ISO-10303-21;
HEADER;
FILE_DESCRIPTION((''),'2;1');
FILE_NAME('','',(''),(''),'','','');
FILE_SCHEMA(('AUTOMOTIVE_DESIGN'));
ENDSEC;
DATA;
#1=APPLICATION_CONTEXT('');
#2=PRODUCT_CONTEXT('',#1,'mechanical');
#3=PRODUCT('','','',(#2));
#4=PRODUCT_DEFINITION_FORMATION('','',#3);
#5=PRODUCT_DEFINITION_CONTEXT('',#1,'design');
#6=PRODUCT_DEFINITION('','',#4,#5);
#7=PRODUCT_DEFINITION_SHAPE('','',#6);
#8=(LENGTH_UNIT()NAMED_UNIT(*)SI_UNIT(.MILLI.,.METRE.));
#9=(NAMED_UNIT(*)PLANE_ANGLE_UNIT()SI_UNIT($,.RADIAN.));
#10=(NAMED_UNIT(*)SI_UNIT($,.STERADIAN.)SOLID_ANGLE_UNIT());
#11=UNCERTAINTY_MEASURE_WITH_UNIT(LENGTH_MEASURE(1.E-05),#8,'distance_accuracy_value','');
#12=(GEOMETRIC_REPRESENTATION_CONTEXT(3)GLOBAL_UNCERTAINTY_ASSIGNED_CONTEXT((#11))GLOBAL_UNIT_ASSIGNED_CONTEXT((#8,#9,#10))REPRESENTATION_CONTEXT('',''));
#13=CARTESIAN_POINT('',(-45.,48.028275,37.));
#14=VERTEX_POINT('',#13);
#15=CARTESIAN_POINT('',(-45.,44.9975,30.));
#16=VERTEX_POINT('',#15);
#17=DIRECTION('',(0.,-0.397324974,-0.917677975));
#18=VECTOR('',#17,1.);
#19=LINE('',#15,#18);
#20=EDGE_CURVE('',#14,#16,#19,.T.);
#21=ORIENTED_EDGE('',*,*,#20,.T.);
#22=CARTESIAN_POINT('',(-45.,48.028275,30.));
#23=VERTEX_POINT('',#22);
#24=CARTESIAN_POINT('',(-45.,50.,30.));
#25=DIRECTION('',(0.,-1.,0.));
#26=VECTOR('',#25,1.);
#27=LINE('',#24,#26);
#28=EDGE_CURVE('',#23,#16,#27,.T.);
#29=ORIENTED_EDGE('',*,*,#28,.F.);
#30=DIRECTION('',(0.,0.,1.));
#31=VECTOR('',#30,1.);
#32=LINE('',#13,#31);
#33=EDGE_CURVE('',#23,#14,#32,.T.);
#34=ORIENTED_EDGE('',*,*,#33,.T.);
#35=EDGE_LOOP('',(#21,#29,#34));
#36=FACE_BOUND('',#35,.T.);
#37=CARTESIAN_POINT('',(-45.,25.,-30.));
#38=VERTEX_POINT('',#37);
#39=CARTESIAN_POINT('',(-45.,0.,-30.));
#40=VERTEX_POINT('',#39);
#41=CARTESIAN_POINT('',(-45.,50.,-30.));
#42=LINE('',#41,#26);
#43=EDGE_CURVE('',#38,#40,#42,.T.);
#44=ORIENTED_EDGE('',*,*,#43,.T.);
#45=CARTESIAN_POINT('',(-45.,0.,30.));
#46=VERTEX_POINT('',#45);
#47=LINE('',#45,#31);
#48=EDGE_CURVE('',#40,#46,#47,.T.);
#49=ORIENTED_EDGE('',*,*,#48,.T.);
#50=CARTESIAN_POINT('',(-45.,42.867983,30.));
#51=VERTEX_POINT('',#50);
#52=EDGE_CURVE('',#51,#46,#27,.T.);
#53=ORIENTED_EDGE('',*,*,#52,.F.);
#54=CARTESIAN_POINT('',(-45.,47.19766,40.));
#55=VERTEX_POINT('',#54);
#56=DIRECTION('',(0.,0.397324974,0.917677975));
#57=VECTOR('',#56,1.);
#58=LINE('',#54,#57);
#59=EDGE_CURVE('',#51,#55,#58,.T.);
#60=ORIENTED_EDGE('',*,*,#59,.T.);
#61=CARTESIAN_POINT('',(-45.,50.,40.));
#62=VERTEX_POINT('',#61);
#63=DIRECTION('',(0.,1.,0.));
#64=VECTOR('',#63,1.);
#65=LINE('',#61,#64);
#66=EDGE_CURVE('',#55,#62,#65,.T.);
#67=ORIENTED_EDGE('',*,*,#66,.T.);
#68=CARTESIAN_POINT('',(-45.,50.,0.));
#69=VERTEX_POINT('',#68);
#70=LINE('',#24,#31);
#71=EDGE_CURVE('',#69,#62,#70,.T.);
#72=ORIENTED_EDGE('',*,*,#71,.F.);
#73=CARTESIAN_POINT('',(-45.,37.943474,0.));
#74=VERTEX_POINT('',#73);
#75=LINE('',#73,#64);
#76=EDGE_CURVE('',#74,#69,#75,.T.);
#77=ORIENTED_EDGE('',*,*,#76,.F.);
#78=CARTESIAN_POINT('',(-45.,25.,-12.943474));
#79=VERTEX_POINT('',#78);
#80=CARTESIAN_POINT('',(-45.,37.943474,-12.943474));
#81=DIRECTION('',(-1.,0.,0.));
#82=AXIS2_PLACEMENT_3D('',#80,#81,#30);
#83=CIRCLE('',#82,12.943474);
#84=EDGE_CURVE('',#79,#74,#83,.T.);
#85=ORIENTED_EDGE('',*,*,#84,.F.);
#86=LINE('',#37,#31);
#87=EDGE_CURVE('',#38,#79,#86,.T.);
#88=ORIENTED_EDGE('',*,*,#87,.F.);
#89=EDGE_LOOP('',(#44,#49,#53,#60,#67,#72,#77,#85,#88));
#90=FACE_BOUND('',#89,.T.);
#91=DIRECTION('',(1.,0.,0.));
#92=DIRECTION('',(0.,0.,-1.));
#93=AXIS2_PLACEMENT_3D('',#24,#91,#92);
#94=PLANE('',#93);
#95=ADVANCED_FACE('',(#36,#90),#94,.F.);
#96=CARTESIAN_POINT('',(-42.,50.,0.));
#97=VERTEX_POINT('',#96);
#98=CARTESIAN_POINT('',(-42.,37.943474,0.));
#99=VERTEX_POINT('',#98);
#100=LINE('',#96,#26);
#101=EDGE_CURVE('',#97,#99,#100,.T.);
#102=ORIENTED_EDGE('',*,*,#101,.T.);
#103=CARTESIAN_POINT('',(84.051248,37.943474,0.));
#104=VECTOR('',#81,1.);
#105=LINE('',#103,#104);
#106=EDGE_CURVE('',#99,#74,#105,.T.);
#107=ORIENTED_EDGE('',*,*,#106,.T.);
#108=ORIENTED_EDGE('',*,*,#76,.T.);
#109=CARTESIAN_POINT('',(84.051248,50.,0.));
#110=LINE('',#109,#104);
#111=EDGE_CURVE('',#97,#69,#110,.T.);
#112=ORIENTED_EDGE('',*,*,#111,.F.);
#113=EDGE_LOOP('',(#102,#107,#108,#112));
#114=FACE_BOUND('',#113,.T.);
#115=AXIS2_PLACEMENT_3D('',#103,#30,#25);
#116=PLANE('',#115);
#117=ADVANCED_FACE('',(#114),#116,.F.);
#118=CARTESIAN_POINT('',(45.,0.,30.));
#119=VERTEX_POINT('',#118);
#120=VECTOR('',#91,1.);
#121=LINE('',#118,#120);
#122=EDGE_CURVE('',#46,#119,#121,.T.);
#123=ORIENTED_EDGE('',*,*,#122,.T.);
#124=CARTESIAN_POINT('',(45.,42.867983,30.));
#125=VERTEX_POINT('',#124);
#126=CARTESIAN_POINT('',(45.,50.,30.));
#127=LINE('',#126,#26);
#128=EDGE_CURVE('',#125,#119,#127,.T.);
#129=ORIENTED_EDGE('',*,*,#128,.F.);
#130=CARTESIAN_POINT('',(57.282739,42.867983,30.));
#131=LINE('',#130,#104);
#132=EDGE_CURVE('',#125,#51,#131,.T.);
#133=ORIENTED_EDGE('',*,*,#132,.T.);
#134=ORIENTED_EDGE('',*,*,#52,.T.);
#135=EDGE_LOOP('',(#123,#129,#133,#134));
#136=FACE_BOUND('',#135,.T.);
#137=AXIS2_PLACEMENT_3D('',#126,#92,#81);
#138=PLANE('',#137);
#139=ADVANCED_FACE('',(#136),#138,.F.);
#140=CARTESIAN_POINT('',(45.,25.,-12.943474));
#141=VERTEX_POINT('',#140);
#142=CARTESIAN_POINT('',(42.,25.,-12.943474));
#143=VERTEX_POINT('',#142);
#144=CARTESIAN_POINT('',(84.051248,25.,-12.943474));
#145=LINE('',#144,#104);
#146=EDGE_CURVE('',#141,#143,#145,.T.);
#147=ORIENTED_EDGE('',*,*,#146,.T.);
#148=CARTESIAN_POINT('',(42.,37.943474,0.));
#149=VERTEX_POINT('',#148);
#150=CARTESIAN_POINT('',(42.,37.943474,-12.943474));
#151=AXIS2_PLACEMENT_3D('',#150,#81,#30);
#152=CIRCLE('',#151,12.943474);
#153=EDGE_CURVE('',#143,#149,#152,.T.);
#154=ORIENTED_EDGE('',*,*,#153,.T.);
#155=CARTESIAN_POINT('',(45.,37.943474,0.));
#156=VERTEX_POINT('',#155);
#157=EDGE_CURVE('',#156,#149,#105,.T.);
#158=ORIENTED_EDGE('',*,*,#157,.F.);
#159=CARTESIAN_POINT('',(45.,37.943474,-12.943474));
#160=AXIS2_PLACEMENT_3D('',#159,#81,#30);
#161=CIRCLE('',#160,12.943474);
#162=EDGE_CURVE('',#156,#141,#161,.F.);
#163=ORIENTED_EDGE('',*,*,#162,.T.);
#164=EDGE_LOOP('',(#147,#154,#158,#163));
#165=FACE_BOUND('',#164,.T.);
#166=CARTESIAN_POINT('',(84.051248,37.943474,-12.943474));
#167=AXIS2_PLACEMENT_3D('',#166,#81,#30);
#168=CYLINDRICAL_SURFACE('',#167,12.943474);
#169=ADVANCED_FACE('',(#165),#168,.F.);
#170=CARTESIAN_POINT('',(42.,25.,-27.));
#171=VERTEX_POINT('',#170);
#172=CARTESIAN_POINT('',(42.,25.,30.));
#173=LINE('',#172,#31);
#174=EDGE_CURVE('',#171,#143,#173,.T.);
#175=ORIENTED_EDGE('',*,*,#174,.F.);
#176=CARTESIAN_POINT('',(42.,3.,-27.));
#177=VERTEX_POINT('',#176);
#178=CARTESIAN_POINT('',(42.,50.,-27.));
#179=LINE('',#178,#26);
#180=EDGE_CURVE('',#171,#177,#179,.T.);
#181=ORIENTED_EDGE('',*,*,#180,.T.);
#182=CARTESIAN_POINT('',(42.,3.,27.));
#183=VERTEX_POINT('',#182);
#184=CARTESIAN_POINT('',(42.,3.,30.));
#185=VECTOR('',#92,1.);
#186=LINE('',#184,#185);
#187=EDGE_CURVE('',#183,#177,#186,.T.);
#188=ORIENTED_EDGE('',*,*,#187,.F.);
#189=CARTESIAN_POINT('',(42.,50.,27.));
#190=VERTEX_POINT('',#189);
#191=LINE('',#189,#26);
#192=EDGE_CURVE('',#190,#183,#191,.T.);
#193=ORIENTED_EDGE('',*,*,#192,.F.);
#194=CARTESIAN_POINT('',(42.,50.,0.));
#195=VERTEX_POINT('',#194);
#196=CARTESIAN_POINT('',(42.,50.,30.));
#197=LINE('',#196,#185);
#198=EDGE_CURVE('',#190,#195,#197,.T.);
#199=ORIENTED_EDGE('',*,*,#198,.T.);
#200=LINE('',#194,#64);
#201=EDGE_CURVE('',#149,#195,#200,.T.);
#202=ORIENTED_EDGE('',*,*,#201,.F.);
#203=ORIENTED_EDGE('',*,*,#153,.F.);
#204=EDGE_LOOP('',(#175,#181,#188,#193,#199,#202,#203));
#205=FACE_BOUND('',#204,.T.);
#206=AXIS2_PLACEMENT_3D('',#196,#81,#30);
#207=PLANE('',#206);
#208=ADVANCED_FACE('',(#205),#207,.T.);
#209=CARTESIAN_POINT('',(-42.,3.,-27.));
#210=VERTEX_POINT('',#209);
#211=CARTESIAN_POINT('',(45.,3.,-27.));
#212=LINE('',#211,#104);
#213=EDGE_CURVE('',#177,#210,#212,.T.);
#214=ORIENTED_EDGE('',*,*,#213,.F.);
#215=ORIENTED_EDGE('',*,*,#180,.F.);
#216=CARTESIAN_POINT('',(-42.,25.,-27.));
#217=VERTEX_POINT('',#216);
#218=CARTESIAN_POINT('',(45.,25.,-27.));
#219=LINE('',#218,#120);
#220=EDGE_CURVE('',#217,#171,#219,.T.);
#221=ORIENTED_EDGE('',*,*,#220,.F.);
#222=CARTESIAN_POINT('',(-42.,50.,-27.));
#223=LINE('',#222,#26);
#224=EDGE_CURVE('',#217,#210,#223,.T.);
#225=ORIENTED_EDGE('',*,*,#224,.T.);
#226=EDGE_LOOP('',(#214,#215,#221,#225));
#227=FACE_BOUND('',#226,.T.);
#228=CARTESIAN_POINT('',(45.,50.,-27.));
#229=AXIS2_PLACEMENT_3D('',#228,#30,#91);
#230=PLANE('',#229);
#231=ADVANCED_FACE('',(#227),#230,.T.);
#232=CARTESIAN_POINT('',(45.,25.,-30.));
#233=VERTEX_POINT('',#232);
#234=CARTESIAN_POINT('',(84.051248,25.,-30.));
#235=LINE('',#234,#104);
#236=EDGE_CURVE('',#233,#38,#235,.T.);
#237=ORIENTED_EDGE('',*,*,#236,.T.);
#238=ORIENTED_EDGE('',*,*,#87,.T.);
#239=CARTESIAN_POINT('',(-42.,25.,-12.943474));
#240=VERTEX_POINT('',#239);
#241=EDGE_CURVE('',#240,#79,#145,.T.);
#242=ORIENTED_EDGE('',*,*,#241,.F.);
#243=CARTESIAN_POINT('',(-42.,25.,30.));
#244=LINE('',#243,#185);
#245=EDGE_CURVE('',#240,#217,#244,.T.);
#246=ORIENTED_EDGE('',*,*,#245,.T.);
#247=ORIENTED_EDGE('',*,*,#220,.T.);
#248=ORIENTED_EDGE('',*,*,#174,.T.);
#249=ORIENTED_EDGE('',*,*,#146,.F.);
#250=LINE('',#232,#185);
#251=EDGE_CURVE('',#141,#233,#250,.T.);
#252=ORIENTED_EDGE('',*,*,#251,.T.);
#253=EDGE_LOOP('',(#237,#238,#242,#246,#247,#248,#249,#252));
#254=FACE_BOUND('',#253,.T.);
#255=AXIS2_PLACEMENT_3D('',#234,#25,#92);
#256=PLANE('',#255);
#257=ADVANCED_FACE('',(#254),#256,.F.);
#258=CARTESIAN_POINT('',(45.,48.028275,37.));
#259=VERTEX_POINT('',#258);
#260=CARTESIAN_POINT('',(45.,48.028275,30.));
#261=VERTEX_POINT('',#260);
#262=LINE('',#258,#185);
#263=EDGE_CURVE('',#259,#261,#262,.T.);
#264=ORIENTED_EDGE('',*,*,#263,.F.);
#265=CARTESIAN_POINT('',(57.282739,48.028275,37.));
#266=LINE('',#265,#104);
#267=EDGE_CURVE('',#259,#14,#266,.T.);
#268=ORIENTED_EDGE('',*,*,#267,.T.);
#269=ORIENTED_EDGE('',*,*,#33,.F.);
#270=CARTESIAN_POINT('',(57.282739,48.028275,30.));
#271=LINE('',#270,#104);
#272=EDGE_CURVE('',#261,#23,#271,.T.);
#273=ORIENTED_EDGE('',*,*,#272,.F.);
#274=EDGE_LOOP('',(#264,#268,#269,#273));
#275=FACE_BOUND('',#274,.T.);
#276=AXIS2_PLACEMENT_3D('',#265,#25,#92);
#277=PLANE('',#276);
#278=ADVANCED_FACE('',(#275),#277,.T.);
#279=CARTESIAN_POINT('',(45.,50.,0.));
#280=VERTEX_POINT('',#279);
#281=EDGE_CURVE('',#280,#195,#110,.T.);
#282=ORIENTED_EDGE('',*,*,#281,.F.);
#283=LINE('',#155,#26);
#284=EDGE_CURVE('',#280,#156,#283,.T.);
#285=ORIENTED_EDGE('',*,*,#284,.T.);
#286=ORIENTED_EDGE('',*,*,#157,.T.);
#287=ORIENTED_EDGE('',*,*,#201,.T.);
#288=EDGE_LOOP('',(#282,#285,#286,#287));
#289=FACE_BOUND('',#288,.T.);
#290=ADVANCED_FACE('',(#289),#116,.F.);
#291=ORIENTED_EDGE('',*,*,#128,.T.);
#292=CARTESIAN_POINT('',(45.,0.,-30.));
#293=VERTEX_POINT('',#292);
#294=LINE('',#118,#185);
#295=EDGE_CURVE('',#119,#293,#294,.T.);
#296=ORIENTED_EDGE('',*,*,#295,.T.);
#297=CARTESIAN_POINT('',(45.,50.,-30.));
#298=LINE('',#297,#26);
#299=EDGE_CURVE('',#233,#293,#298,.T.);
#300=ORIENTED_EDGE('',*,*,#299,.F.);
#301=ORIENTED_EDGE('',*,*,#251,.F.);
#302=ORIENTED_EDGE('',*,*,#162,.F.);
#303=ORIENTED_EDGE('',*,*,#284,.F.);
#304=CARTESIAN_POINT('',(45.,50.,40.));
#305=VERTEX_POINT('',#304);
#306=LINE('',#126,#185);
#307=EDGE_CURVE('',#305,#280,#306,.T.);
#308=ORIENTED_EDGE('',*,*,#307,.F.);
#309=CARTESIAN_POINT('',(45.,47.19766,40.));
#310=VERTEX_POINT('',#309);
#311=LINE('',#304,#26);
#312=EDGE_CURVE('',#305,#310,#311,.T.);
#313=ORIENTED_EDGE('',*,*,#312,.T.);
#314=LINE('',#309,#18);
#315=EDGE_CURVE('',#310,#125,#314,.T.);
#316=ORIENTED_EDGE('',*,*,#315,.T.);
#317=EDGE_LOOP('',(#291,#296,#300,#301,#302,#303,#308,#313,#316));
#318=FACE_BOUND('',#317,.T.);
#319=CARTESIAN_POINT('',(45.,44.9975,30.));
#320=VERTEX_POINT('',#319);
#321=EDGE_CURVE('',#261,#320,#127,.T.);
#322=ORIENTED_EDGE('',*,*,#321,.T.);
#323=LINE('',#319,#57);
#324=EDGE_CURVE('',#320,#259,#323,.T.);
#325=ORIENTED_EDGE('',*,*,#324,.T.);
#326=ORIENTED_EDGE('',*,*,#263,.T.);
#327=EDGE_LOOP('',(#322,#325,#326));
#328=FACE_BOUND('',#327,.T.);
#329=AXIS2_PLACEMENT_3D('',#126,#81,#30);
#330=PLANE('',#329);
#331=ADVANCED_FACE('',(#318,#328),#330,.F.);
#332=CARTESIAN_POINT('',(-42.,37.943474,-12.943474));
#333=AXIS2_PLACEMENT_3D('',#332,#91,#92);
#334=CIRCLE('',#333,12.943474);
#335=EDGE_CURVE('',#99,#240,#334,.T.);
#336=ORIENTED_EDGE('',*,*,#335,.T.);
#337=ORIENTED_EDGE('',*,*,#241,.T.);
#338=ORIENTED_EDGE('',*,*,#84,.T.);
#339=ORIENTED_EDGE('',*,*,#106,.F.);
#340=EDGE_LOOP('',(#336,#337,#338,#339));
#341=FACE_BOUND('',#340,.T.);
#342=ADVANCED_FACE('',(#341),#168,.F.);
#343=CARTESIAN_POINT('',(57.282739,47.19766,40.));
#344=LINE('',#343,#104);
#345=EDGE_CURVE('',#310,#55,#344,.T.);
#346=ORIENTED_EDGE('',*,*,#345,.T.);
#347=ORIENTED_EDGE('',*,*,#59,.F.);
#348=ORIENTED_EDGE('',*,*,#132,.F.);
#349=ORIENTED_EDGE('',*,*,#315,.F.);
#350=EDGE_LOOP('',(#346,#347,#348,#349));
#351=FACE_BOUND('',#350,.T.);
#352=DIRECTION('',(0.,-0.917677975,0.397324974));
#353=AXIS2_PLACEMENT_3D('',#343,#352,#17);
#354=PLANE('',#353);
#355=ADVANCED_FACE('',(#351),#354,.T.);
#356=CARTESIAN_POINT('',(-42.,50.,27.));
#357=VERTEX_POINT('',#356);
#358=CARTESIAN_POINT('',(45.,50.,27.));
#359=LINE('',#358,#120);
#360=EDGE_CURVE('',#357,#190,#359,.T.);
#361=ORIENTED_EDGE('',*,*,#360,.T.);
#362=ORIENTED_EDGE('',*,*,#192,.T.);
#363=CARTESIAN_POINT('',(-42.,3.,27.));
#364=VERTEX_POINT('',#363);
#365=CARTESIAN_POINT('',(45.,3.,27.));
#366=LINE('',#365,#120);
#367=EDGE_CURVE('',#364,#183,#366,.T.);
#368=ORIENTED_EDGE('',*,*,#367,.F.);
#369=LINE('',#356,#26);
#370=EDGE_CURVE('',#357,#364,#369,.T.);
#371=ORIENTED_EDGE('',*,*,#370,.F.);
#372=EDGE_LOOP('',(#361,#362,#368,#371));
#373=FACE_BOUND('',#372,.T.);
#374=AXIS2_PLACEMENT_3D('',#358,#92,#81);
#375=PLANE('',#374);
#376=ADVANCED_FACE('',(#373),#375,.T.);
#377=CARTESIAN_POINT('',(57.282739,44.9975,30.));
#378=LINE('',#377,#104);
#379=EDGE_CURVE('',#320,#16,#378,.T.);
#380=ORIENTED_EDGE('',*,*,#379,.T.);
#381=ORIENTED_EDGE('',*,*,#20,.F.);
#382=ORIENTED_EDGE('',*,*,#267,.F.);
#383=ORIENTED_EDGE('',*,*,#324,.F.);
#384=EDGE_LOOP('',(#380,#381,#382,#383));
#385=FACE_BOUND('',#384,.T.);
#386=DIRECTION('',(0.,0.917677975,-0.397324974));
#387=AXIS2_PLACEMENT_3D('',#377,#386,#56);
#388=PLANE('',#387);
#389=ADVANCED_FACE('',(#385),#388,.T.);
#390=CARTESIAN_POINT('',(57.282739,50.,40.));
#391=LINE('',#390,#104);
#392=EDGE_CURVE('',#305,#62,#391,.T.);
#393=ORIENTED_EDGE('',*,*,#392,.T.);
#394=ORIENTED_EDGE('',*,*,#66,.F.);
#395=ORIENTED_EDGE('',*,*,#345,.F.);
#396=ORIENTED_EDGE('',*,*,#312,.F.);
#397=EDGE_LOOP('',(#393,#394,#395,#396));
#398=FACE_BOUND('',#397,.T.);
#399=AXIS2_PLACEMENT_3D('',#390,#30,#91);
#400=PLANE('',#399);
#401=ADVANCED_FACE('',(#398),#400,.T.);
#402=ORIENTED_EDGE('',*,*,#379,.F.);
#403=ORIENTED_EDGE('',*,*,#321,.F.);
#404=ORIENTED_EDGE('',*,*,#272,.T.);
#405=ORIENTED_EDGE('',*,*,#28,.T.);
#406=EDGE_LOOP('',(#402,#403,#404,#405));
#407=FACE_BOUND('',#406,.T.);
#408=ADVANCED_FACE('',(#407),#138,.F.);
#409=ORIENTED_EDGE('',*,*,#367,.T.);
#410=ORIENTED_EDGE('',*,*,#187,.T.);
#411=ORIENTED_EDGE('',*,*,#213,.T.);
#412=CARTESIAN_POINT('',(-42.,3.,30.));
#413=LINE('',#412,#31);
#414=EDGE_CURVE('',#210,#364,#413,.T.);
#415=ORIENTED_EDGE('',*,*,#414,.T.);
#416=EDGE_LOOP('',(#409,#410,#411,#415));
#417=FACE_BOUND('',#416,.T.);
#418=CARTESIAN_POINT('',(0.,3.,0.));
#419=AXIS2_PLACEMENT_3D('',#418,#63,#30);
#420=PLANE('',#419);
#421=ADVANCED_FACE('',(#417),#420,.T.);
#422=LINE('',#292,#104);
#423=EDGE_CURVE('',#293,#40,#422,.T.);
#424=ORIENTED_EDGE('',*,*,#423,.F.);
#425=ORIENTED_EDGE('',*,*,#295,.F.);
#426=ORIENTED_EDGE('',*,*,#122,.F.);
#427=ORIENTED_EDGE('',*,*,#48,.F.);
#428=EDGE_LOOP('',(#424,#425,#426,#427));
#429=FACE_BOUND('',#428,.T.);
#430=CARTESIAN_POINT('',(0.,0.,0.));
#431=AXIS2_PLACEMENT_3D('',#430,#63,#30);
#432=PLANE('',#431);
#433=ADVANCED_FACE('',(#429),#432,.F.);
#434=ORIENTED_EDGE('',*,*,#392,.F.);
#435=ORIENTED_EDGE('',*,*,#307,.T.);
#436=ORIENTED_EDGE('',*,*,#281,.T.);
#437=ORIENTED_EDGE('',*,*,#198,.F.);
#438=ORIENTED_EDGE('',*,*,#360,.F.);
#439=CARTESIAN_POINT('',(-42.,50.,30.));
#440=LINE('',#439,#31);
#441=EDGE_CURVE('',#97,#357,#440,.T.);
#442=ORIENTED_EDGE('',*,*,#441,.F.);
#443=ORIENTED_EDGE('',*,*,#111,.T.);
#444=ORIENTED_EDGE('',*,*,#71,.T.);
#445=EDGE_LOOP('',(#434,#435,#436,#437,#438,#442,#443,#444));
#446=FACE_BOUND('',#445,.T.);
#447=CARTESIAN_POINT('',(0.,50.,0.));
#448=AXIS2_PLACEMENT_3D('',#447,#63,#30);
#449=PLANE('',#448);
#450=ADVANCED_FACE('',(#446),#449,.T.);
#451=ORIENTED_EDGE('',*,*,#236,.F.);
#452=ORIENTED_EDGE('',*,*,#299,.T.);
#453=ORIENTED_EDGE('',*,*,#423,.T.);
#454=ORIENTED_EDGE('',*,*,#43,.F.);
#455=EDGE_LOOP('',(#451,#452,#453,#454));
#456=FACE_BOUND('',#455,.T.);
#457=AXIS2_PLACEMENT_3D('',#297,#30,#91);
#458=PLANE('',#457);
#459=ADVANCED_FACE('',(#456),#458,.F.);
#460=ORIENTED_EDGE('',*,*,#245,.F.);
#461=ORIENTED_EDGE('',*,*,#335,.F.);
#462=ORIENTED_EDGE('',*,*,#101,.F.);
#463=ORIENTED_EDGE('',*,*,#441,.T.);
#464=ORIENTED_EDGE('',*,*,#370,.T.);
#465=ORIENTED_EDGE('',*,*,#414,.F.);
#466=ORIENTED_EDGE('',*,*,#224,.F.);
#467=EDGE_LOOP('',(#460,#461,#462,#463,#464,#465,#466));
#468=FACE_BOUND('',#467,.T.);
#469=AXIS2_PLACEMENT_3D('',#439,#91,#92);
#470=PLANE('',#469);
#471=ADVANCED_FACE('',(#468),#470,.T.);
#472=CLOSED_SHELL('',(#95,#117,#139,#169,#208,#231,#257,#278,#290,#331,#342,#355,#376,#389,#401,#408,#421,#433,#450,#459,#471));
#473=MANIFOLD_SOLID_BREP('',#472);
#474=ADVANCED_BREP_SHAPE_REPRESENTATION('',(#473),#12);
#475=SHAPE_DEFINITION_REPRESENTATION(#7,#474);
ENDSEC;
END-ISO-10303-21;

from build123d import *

# Parameters (mm, degrees)
SKETCH1_W           = 90
SKETCH1_H           = 60
BOSS_EXTRUDE1_DEPTH = 50
SHELL1_T            = -3
CUT_EXTRUDE1_DEPTH  = 90
BOSS_EXTRUDE2_DEPTH = 90


with BuildPart() as part:
    # Sketch1 → Boss-Extrude1 (new body)
    with BuildSketch(Plane(origin=(0, 0, 0), x_dir=(1, 0, 0), z_dir=(0, 1, 0))):
        Rectangle(SKETCH1_W, SKETCH1_H)
    extrude(amount=BOSS_EXTRUDE1_DEPTH)

    # Shell1
    shell1_openings = [part.faces().sort_by_distance(p)[0] for p in [
        (0, 50, 0),
    ]]
    offset(amount=SHELL1_T, openings=shell1_openings, kind=Kind.INTERSECTION)

    # Sketch2 → Cut-Extrude1 (cut)
    with BuildSketch(Plane.ZY.offset(45)):
        with BuildLine():
            Line((-30, 25), (-12.94347358, 25))
            ThreePointArc((-12.94347358, 25), (-3.791055639, 28.791055639), (0, 37.94347358))
            Line((0, 37.94347358), (0, 50))
            Line((0, 50), (-30, 50))
            Line((-30, 50), (-30, 25))
        make_face()
    extrude(amount=-CUT_EXTRUDE1_DEPTH, mode=Mode.SUBTRACT)

    # Sketch3 → Boss-Extrude2 (add)
    with BuildSketch(Plane.ZY.offset(45)):
        Polygon((30, 50), (40, 50), (40, 47.197660371), (30, 42.867982808), (30, 44.997500312), (37, 48.028274606), (30, 48.028274606), align=None)
    extrude(amount=-BOSS_EXTRUDE2_DEPTH)


solid = part.part
